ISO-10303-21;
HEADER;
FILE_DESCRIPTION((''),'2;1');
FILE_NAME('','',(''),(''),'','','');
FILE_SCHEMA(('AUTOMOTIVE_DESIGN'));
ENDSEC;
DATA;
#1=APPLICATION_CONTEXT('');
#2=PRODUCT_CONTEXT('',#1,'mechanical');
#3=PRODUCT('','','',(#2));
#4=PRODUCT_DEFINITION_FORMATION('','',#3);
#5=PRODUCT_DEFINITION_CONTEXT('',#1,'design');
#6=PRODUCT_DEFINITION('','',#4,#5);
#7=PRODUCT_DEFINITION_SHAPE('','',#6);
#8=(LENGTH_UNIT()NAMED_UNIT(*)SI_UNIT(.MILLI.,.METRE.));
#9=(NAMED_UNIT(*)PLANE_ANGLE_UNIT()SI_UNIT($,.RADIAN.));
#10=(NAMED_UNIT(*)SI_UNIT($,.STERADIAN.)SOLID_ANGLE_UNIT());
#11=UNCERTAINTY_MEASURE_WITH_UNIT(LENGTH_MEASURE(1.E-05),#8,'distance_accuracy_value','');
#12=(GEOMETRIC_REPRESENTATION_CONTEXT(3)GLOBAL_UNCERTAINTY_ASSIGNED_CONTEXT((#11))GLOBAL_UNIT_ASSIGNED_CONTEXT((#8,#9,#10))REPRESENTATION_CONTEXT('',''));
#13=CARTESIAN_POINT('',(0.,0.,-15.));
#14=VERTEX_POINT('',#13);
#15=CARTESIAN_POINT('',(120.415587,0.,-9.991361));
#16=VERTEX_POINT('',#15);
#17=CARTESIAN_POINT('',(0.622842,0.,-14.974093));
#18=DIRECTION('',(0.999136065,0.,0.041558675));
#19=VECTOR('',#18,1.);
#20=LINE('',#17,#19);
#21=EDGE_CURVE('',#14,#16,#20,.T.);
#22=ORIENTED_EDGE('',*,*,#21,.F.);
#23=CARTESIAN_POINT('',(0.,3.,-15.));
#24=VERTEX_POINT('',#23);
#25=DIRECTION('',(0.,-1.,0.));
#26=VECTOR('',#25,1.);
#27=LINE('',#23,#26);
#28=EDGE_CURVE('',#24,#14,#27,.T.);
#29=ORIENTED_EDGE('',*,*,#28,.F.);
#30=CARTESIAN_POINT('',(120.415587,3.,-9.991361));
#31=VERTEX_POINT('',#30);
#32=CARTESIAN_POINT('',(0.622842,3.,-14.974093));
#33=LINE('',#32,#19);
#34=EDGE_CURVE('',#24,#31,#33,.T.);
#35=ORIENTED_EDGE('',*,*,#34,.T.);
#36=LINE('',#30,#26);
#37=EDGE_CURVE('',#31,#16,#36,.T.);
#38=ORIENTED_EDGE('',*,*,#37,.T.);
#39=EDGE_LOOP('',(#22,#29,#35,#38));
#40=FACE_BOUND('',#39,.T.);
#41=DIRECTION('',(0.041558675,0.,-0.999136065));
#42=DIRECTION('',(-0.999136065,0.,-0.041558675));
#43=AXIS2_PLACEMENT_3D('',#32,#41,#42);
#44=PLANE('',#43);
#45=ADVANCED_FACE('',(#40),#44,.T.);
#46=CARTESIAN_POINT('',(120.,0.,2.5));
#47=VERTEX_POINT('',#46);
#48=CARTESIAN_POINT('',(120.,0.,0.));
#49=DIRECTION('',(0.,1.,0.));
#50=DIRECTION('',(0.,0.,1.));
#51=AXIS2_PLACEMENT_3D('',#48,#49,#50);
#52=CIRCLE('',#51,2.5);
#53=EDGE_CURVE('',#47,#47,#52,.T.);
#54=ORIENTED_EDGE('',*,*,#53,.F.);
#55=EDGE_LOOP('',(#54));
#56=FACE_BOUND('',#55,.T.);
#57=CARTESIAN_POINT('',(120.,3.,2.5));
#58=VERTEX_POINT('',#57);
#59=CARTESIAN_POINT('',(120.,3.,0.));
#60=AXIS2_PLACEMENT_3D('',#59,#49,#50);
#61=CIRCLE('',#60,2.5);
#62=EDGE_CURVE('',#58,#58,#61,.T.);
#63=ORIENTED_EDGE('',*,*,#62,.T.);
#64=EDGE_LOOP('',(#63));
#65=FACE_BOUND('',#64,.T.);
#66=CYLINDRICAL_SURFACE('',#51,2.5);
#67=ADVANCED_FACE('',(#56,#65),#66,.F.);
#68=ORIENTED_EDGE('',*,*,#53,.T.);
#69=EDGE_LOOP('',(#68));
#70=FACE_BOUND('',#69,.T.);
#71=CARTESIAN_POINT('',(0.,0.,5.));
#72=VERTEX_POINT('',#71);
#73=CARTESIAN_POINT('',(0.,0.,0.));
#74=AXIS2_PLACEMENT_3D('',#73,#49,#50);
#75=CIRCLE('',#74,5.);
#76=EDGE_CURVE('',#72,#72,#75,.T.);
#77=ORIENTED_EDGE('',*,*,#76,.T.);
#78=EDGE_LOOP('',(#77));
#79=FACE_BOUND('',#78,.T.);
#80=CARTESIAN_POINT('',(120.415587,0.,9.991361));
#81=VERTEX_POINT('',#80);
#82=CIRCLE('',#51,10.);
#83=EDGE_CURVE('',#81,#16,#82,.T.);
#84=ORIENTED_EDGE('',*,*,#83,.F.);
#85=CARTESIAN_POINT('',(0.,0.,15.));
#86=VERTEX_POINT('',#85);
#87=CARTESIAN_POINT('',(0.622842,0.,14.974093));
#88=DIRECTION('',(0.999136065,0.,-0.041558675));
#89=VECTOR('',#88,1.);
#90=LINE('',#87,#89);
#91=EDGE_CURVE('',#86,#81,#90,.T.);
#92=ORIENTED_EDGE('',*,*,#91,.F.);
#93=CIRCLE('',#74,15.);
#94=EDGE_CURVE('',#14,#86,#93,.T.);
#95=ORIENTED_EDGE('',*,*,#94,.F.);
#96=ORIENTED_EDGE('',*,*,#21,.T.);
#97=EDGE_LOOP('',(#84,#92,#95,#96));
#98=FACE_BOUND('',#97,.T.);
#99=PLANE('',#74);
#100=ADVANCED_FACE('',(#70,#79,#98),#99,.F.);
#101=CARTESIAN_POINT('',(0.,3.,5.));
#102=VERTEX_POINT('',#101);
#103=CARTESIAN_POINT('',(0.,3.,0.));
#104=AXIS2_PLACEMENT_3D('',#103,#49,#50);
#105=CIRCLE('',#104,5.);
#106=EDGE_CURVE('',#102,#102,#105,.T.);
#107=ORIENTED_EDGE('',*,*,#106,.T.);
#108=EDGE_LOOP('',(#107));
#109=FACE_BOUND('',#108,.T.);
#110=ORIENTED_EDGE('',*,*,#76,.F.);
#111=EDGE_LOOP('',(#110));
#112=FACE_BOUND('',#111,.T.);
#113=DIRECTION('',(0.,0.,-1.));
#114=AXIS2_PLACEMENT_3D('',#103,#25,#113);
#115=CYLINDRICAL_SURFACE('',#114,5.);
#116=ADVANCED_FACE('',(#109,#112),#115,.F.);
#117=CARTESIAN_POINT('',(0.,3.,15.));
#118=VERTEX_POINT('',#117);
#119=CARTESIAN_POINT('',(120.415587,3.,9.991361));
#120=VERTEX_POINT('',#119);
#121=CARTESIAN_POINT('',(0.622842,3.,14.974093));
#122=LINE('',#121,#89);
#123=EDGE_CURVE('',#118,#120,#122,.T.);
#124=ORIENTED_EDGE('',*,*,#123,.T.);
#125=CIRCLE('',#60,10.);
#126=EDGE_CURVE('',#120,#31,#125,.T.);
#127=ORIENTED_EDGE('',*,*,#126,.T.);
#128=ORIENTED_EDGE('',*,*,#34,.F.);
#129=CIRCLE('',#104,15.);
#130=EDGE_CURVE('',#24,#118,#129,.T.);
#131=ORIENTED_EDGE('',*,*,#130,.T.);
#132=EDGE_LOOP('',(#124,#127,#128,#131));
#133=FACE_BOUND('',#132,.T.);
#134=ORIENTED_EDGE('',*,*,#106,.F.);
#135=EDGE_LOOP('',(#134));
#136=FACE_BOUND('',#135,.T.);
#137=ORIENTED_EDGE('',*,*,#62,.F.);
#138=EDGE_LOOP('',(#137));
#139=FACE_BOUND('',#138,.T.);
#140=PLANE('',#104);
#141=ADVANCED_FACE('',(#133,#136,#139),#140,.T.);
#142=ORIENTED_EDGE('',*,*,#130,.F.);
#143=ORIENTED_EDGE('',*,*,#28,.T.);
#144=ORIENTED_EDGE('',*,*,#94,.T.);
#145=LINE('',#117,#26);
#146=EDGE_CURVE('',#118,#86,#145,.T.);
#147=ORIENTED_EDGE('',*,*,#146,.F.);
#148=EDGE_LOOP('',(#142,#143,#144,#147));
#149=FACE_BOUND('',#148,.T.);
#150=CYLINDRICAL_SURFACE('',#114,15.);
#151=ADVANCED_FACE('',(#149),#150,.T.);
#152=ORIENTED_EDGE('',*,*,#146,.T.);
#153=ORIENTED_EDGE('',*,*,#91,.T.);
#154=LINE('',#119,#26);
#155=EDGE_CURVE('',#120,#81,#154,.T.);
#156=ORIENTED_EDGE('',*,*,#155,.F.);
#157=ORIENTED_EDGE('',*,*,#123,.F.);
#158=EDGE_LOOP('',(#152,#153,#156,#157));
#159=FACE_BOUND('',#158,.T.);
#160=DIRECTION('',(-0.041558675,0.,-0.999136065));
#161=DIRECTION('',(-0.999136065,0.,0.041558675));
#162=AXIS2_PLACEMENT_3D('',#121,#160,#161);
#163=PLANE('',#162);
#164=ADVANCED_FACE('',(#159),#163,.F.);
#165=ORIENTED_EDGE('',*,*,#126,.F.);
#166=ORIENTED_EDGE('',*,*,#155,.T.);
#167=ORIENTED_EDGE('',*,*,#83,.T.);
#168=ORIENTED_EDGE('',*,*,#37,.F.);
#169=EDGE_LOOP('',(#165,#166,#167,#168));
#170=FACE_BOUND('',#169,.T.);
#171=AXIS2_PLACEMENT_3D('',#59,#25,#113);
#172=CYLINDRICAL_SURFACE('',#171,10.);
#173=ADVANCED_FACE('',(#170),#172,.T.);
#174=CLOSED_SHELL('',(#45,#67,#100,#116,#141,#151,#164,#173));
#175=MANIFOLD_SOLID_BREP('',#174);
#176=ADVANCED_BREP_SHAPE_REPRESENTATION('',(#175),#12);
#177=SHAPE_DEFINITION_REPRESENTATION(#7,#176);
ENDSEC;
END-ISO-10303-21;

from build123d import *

# Parameters (mm, degrees)
SKETCH_1_R          = 5
EXTRUDE_1_DEPTH     = 3
SKETCH_2_R          = 2.5
CUT_EXTRUDE_1_DEPTH = 131.896905999


with BuildPart() as part:
    # 草图1 → 凸台-拉伸1 (new body)
    with BuildSketch(Plane(origin=(0, 0, 0), x_dir=(1, 0, 0), z_dir=(0, 1, 0))):
        with BuildLine():
            Line((0, -15), (120.415586748, -9.991360651))
            ThreePointArc((120.415586748, -9.991360651), (130, 0), (120.415586748, 9.991360651))
            Line((120.415586748, 9.991360651), (0, 15))
            ThreePointArc((0, 15), (-15, 0), (0, -15))
        make_face()
        with Locations(Location((0, 0, 0), (0, 0, 270))):
            Circle(SKETCH_1_R, mode=Mode.SUBTRACT)
    extrude(amount=EXTRUDE_1_DEPTH)

    # 草图2 → 切除-拉伸1 (cut, through all)
    with BuildSketch(Plane(origin=(0, 3, 0), x_dir=(1, 0, 0), z_dir=(0, 1, 0))):
        with Locations(Location((120, 0, 0), (0, 0, 270))):
            Circle(SKETCH_2_R)
    extrude(amount=-CUT_EXTRUDE_1_DEPTH, mode=Mode.SUBTRACT)


solid = part.part
